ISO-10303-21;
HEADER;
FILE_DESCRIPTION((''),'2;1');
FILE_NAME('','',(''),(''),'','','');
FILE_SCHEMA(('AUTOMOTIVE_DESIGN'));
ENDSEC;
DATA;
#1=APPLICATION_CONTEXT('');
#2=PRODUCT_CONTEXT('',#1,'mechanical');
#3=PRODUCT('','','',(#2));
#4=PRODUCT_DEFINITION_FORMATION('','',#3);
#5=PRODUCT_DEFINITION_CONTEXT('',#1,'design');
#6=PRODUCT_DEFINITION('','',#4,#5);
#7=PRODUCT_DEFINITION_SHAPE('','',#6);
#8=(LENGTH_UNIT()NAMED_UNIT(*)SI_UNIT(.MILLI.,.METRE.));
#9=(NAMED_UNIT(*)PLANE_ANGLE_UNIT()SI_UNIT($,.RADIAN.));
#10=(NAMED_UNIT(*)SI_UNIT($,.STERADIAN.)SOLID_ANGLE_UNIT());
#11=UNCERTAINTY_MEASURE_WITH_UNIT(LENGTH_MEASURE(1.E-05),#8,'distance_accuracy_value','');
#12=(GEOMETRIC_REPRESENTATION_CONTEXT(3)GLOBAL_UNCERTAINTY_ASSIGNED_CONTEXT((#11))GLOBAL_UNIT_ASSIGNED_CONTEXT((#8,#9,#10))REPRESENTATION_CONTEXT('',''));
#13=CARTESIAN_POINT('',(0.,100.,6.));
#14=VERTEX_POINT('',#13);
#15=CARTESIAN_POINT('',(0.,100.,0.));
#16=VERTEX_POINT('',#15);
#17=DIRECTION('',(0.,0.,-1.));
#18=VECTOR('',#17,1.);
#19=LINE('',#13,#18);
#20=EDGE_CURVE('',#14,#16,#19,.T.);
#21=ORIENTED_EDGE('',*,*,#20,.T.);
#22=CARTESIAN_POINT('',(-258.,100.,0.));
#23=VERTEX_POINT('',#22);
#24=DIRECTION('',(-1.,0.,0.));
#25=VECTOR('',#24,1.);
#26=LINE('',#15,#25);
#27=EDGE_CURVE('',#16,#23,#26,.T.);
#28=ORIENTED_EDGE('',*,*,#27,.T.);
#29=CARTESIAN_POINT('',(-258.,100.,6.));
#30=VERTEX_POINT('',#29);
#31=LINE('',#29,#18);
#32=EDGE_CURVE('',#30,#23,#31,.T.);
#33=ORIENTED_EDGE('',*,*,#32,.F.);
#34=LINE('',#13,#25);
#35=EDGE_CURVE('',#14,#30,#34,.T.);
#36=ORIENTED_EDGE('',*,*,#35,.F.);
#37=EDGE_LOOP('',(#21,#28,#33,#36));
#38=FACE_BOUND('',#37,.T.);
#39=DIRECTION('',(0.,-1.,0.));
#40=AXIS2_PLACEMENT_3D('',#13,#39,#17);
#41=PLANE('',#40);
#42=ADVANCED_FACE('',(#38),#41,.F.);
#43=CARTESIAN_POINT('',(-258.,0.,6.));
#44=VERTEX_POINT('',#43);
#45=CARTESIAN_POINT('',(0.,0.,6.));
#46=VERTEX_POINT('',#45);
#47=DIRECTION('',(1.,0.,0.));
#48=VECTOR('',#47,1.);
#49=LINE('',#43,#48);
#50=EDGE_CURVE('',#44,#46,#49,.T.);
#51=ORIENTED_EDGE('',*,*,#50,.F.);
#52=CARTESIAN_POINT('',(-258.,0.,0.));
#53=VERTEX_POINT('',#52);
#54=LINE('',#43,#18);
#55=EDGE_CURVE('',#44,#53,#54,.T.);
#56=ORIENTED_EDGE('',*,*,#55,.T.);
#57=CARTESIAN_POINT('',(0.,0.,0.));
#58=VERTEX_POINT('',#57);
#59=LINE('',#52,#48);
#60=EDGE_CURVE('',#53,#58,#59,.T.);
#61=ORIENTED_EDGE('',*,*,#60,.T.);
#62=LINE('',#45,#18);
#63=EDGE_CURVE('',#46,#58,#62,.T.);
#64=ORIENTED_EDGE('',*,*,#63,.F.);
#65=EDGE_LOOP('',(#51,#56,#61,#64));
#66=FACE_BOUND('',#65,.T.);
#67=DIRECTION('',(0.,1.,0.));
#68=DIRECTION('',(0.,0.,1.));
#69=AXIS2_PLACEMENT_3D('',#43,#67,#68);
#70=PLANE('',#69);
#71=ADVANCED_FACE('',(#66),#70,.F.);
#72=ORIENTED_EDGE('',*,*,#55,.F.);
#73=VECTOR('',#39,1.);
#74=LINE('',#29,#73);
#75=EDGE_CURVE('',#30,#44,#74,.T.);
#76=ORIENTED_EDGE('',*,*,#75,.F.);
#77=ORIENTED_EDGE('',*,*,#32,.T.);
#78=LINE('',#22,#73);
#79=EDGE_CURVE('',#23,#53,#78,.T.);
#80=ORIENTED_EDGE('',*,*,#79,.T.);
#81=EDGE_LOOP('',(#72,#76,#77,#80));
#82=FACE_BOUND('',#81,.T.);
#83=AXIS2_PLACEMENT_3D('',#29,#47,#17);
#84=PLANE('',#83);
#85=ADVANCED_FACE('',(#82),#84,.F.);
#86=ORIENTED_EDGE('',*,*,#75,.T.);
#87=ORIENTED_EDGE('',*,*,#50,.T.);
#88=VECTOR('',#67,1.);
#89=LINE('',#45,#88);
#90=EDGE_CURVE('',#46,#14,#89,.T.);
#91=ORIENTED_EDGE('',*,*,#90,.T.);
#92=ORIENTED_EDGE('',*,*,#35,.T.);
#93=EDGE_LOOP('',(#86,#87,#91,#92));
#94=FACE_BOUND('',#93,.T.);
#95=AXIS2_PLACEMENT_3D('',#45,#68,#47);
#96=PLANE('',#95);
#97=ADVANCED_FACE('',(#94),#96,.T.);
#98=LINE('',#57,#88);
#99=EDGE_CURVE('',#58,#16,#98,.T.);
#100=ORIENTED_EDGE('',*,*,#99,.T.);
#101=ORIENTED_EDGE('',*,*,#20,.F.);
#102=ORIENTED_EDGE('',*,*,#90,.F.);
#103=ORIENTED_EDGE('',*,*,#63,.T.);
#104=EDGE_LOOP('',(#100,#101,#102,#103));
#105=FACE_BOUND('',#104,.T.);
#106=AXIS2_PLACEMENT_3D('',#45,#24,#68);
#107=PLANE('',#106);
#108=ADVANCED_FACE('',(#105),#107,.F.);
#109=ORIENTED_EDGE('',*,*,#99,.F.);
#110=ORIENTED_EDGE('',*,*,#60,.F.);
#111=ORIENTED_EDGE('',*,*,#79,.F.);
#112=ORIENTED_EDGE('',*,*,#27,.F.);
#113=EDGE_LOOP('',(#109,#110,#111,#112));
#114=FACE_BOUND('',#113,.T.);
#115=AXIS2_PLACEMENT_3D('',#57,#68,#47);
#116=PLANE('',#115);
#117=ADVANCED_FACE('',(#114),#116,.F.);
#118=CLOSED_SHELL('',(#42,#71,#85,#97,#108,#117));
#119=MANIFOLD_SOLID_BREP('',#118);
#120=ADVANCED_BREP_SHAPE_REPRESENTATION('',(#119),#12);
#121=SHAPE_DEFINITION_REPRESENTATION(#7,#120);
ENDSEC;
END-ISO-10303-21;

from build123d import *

# Parameters (mm, degrees)
ESBO_O1_W                = 258
ESBO_O1_H                = 100
RESSALTO_EXTRUS_O1_DEPTH = 6


with BuildPart() as part:
    # Esboço1 → Ressalto-extrusão1 (new body)
    with BuildSketch(Plane.XY):
        with Locations((-129, 50)):
            Rectangle(ESBO_O1_W, ESBO_O1_H)
    extrude(amount=RESSALTO_EXTRUS_O1_DEPTH)


solid = part.part
